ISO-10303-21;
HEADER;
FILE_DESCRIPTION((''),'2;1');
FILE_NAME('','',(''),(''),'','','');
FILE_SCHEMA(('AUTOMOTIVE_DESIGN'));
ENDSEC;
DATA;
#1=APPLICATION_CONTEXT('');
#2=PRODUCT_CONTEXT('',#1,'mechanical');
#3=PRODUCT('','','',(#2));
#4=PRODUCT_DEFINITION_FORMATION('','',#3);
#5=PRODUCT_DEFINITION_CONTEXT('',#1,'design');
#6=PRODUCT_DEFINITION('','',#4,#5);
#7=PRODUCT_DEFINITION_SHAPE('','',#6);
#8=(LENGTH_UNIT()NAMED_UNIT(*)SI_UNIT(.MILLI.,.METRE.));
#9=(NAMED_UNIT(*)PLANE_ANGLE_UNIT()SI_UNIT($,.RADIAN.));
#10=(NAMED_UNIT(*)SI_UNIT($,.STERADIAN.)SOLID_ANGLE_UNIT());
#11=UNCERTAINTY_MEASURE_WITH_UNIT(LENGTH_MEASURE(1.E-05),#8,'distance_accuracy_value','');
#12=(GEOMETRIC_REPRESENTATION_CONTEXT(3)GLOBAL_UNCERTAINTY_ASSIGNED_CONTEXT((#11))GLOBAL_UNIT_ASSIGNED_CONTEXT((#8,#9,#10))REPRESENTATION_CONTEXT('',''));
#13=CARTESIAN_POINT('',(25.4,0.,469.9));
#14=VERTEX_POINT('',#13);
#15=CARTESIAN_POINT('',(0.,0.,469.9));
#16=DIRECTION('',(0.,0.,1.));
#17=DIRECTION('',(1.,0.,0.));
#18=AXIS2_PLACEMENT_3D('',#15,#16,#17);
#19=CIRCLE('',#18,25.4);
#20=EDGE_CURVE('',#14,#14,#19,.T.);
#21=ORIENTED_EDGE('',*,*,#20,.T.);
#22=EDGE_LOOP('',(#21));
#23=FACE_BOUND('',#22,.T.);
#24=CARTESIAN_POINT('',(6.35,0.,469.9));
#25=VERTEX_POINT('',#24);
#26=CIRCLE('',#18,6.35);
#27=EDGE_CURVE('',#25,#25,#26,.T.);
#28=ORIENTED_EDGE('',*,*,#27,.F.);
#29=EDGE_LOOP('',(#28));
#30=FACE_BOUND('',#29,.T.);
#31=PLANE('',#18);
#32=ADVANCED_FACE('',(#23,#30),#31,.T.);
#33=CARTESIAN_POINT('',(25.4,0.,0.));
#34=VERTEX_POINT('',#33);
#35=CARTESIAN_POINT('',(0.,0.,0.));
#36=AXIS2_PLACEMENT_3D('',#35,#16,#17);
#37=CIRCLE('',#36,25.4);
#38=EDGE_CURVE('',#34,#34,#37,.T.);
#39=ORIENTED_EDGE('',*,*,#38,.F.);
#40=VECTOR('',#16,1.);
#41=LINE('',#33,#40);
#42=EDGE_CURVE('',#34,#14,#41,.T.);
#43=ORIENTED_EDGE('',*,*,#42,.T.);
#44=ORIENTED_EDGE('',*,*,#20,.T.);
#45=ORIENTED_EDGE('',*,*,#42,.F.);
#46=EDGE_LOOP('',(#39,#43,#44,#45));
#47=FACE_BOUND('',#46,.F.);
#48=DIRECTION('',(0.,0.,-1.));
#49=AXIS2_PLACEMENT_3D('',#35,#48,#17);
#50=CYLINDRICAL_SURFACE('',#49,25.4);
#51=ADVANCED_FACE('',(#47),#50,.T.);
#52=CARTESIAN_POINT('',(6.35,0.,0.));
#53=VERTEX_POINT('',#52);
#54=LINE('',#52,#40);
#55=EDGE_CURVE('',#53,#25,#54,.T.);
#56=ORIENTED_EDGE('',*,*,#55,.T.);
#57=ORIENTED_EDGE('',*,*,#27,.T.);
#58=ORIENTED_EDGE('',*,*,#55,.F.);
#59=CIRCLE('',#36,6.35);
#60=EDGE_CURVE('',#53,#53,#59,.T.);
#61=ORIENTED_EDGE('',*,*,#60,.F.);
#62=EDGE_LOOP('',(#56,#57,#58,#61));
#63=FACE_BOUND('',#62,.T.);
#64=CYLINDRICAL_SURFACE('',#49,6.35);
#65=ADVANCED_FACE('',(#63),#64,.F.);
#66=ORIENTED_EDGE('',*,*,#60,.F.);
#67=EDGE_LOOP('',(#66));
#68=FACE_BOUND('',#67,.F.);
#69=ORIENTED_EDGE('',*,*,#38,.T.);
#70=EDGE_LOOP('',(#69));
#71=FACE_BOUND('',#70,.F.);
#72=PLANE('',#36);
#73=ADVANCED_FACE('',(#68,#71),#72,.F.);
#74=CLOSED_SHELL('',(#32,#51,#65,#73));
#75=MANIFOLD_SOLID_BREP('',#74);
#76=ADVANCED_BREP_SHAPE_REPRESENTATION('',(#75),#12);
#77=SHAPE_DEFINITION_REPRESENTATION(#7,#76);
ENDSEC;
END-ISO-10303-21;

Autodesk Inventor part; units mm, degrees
ref_plane "YZ Plane" through (0, 0, 0) normal (1, 0, 0) x (0, 1, 0)
ref_plane "XZ Plane" through (0, 0, 0) normal (0, 1, 0) x (-1, 0, 0)
ref_plane "XY Plane" through (0, 0, 0) normal (0, 0, 1) x (1, 0, 0)
sketch "Sketch1" plane through (0, 0, 0) normal (0, 0, 1) x (1, 0, 0)
  circle A0 centre (0, 0) radius 6.35
  circle A1 centre (0, 0) radius 25.4
  dimension "d0" = 12.7
  dimension "d1" = 50.8
extrude "Extrusion1" add sketch "Sketch1" along normal blind 469.9
properties part number "manipulator centering roller"
